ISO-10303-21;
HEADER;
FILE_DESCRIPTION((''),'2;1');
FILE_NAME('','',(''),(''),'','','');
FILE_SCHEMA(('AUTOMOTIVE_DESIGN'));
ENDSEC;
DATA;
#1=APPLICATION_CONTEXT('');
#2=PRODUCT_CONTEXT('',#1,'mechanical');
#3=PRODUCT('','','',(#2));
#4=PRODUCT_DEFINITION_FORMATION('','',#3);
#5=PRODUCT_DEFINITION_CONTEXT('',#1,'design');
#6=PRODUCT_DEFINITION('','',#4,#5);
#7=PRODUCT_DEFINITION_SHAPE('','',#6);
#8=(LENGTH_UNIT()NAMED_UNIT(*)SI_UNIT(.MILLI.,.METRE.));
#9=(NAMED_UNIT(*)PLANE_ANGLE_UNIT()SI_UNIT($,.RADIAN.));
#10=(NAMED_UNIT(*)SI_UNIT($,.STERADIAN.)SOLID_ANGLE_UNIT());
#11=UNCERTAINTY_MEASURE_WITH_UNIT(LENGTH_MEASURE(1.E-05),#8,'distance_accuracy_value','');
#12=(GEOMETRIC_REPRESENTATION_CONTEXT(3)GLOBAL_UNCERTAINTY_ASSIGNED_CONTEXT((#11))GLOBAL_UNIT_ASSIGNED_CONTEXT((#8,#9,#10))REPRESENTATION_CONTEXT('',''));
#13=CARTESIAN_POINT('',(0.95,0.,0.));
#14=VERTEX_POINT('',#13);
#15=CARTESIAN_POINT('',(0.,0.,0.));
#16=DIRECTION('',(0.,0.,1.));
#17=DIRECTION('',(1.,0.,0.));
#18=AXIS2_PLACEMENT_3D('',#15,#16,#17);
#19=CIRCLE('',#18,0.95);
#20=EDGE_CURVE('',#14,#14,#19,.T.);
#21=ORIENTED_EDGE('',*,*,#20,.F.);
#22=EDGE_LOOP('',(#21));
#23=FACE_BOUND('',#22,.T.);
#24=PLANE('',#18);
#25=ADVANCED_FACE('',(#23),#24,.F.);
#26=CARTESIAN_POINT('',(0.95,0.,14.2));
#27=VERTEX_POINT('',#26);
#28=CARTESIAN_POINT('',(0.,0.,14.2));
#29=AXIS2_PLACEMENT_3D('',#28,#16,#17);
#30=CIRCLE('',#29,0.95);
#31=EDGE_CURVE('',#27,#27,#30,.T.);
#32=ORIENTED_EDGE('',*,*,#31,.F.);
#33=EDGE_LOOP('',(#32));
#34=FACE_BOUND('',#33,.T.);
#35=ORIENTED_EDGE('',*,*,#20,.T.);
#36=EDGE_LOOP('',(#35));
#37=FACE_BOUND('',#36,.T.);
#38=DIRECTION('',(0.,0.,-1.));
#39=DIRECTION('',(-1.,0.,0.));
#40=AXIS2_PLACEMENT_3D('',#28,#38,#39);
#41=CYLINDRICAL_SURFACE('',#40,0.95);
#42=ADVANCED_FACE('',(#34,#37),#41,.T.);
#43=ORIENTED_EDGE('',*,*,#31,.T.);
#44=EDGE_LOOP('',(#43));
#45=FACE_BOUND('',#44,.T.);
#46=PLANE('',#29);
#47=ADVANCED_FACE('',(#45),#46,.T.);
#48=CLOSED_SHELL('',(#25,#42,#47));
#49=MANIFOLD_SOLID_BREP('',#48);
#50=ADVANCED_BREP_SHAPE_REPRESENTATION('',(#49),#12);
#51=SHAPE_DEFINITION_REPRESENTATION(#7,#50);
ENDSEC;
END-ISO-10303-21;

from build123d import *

# Parameters (mm, degrees)
SKETCH_1_R      = 0.95
EXTRUDE_1_DEPTH = 14.2


with BuildPart() as part:
    # 草图1 → 凸台-拉伸1 (new body)
    with BuildSketch(Plane.XY):
        Circle(SKETCH_1_R)
    extrude(amount=EXTRUDE_1_DEPTH)


solid = part.part
